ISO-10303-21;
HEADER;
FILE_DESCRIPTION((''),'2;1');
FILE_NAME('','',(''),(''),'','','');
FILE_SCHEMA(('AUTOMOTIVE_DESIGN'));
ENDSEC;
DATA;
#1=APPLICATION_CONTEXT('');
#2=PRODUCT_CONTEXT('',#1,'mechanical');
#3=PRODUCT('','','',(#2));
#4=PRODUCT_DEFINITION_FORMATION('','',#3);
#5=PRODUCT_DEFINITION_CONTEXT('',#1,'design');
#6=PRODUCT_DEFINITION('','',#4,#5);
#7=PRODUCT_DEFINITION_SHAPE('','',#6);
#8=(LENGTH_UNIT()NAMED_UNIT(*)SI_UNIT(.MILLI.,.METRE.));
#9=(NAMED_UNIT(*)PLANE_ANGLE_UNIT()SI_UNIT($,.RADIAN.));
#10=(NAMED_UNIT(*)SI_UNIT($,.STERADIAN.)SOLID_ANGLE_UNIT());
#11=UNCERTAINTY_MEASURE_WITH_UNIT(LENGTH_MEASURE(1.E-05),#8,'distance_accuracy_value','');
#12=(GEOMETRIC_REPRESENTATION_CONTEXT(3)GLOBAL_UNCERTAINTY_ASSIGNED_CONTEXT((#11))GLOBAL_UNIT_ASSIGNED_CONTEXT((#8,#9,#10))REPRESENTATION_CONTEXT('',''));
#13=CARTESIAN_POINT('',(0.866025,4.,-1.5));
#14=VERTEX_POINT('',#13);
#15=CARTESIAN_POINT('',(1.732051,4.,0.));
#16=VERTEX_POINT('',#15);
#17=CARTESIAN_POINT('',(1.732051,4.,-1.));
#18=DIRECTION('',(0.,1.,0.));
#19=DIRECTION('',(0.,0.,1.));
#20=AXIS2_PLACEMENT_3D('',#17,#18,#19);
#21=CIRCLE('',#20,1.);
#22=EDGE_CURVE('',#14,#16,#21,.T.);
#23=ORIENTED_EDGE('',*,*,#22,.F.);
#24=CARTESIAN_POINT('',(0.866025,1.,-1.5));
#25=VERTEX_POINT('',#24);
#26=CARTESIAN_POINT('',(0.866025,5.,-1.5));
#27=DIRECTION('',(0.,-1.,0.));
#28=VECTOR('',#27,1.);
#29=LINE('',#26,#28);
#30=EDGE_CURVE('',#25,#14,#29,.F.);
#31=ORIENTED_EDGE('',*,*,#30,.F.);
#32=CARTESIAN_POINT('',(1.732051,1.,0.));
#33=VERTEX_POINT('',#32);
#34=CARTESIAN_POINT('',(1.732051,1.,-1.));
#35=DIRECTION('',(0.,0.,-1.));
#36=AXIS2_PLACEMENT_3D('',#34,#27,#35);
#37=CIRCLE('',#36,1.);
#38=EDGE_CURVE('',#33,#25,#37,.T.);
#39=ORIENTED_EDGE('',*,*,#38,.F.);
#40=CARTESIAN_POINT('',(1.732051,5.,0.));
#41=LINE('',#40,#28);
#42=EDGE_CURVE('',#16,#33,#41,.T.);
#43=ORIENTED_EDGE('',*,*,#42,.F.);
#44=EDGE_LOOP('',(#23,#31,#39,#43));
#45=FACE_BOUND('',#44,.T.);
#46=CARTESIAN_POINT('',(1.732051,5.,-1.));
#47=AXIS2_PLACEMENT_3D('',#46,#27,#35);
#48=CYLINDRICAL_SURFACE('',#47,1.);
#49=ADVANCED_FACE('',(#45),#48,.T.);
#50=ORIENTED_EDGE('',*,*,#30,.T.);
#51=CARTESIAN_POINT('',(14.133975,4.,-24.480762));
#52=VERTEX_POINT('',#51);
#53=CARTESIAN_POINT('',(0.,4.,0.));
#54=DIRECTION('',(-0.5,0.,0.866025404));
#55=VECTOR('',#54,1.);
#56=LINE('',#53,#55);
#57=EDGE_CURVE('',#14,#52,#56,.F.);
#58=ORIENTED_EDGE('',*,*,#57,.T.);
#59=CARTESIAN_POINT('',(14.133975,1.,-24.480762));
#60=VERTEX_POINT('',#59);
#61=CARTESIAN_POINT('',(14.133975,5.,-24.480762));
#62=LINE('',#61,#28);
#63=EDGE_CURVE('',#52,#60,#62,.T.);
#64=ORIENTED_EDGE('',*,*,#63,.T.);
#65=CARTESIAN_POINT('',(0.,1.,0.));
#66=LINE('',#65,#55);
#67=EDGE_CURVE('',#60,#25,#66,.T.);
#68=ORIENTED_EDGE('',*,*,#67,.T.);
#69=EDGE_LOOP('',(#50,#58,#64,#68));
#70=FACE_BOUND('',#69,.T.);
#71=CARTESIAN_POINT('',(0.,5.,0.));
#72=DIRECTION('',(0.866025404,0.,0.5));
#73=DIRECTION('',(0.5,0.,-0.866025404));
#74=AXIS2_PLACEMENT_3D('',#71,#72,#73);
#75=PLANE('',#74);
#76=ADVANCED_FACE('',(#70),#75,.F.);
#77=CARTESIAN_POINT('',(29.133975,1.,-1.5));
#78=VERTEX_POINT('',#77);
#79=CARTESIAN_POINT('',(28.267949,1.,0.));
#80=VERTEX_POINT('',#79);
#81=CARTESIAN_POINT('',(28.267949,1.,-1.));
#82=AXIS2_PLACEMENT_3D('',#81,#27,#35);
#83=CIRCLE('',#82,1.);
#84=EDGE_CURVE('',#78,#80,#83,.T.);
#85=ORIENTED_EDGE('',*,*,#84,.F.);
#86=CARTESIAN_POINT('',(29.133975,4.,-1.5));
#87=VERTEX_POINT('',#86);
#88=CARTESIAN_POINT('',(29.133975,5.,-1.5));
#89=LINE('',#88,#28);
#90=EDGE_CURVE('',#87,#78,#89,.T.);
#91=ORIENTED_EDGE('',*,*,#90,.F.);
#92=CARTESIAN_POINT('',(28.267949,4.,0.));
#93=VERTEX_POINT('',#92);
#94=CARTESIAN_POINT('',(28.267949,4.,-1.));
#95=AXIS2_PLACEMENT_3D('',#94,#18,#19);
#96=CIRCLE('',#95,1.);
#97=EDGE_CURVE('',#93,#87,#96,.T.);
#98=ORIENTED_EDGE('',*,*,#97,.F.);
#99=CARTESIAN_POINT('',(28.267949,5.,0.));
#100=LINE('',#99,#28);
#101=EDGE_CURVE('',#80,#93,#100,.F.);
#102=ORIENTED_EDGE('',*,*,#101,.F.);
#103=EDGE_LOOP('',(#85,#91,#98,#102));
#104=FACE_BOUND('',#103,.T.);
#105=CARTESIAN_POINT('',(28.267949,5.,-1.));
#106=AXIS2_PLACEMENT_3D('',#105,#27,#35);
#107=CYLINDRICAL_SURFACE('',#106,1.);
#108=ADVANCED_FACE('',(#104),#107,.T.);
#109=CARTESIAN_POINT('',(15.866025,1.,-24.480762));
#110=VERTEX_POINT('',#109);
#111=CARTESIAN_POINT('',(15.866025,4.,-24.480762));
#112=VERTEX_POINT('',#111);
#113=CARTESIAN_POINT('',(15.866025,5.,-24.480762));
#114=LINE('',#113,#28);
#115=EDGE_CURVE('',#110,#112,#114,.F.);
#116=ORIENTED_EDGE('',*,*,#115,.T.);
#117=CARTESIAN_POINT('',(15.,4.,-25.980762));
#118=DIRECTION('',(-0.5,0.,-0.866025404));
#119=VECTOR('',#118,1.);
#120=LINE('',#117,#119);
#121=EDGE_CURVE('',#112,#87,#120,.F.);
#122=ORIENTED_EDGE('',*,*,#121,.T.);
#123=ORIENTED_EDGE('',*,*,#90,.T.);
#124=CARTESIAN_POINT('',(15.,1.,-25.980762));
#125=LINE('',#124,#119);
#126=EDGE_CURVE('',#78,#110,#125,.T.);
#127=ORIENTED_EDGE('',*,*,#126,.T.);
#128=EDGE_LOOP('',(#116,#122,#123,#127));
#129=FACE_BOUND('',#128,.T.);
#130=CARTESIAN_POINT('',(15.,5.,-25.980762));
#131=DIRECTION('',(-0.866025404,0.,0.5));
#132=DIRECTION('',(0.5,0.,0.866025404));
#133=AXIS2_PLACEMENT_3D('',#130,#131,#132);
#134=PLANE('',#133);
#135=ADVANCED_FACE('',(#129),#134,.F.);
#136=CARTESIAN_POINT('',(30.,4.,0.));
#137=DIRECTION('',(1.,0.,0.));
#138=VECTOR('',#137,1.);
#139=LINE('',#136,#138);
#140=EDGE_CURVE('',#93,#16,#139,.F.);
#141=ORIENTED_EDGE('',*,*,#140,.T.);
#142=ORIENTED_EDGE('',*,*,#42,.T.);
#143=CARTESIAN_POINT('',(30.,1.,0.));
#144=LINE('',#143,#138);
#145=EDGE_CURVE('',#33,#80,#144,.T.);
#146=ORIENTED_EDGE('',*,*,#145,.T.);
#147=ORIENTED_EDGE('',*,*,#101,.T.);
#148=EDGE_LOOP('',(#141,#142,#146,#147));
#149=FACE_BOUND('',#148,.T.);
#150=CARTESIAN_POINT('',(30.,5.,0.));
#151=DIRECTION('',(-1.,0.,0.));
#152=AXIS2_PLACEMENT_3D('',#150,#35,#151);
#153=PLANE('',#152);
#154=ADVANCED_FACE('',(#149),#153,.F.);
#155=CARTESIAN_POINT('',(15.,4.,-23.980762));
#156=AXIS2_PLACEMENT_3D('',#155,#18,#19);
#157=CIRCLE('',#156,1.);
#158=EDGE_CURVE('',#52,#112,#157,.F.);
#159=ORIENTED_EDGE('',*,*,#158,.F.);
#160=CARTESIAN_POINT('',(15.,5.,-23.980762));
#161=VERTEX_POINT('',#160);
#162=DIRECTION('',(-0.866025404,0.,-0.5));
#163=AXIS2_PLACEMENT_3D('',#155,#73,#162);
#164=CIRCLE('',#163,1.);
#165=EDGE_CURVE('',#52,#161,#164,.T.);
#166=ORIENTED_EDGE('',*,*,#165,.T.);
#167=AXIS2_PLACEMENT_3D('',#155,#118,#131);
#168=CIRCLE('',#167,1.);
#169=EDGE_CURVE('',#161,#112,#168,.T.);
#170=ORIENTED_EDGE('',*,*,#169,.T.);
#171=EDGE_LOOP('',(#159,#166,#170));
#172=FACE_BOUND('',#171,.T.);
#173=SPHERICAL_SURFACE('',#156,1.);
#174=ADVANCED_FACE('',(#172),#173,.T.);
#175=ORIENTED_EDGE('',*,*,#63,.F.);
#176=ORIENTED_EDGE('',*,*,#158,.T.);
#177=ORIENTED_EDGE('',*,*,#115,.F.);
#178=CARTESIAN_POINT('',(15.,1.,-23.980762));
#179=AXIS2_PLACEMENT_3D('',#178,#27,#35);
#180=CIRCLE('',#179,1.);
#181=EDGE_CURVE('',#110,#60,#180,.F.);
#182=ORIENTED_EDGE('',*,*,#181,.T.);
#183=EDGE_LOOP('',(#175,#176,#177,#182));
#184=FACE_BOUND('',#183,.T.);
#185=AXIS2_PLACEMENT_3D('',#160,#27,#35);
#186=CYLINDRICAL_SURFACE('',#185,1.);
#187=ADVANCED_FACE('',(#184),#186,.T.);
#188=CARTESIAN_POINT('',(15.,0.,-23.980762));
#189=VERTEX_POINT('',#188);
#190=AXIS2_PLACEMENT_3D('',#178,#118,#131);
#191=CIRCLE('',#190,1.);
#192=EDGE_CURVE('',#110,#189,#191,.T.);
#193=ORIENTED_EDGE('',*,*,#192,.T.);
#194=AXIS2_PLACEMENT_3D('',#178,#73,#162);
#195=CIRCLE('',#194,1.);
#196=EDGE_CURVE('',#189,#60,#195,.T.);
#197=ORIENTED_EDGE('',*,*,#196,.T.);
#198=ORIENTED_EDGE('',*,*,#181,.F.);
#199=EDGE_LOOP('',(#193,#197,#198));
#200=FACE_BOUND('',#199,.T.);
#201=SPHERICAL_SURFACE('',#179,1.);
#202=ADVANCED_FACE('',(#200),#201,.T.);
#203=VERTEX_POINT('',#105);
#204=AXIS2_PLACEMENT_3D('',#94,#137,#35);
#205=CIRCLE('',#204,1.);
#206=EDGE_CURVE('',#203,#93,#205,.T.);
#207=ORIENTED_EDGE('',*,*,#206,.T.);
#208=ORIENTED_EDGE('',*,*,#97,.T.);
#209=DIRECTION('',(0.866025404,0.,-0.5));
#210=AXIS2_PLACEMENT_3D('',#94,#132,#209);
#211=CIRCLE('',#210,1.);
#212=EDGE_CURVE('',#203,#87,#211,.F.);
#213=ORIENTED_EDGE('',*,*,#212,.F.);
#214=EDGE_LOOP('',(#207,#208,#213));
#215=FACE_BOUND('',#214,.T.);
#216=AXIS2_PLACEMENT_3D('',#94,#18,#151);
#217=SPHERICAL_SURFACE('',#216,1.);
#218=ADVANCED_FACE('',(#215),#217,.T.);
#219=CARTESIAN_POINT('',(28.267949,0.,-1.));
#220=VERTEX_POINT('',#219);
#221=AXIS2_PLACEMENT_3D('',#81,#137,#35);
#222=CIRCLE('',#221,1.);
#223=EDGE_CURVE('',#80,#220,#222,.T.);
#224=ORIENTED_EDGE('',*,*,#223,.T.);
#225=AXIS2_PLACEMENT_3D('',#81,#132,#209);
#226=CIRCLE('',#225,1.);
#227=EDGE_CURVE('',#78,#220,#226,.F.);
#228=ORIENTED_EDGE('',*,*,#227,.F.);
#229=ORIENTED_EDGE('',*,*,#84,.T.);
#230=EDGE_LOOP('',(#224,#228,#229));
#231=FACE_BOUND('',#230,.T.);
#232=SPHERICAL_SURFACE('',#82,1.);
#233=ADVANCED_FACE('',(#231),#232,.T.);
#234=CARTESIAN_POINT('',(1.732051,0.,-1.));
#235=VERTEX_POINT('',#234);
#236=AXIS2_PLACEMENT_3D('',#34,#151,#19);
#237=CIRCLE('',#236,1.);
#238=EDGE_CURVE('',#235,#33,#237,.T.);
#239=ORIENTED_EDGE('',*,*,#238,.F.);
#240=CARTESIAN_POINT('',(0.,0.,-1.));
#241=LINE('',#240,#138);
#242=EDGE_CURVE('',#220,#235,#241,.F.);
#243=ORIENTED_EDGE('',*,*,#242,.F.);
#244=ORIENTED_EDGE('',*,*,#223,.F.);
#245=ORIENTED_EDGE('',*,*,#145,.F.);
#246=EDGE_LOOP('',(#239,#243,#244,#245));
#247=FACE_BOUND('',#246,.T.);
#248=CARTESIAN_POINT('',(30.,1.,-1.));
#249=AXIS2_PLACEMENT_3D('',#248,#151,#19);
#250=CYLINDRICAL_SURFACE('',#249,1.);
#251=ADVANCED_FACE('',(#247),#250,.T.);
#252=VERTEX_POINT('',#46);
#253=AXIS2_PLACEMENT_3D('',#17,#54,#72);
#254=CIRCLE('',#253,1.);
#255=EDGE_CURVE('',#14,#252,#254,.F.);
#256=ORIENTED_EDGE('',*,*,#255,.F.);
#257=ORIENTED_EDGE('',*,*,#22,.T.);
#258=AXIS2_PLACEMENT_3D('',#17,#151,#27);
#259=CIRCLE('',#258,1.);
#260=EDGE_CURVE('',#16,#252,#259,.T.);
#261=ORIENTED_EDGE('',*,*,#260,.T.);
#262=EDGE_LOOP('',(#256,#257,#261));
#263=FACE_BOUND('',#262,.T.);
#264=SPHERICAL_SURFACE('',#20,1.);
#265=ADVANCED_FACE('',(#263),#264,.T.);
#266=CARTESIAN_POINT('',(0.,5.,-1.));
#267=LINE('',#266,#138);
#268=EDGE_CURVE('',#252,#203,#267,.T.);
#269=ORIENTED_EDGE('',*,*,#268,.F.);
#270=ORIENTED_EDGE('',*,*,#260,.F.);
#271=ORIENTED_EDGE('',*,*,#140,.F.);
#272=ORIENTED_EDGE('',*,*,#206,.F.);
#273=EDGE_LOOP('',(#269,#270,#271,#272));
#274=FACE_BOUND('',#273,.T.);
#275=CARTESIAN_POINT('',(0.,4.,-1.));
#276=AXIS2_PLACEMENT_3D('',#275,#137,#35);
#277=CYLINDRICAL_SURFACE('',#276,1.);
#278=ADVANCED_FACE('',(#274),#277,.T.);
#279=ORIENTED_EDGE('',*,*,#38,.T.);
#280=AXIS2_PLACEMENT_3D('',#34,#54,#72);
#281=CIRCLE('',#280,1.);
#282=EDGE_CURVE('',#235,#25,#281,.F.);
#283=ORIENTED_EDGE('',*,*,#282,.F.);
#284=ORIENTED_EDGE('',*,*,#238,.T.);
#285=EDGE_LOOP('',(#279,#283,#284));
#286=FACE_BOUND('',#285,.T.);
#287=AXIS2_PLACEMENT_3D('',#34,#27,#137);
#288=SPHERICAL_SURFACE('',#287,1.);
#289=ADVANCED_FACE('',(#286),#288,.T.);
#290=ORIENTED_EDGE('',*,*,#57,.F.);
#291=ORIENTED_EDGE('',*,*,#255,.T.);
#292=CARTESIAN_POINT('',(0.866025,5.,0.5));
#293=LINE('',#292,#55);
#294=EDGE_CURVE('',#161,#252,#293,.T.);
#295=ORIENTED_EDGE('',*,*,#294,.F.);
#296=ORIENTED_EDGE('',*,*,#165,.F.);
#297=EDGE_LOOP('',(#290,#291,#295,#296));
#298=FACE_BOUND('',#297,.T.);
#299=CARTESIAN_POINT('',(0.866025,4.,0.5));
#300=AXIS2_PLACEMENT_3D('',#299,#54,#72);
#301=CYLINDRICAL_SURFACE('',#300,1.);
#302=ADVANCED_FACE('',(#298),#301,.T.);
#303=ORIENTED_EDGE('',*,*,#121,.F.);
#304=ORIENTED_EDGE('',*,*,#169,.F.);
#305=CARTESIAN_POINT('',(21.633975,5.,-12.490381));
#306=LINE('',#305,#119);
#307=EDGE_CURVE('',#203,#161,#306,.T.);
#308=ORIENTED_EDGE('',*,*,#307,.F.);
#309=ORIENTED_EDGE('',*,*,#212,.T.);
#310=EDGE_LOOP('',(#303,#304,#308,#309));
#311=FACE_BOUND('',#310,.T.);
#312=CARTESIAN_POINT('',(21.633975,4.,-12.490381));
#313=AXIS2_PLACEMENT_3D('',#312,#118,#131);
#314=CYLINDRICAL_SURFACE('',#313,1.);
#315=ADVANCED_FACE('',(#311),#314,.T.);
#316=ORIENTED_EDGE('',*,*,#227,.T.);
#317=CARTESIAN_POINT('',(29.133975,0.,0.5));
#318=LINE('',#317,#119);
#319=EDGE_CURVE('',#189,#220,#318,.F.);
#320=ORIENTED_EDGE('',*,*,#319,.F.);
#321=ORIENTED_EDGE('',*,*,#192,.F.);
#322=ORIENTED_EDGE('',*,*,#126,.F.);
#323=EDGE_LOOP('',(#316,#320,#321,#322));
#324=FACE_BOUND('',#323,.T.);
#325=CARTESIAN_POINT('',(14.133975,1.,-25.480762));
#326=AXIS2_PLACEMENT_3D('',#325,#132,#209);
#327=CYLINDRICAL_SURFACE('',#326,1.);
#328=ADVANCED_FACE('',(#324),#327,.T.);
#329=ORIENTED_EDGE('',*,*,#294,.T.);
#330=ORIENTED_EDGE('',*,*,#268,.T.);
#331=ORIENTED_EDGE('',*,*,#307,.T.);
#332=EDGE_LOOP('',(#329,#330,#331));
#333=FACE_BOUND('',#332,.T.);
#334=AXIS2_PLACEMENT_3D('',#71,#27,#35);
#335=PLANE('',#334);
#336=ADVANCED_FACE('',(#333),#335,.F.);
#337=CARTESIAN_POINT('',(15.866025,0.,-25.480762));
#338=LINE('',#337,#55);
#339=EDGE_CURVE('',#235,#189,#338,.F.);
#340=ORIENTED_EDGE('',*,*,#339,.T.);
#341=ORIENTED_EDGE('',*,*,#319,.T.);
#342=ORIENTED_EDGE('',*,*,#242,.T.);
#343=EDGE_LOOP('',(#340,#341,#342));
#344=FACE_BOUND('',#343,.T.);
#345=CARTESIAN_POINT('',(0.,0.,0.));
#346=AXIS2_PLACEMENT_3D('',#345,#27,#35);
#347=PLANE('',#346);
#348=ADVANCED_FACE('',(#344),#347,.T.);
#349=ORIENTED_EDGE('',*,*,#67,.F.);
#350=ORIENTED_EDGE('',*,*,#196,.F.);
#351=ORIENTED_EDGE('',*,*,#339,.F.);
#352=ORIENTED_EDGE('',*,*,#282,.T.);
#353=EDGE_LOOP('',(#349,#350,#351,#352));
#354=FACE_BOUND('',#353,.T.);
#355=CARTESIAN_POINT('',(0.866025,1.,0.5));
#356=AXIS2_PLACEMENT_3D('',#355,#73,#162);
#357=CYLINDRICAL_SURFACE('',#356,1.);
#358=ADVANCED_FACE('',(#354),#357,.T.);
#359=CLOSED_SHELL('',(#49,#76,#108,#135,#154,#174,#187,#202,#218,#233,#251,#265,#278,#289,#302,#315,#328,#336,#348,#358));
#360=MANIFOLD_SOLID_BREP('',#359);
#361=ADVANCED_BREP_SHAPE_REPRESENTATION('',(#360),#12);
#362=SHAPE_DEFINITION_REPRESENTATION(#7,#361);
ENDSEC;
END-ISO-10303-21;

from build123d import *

# Parameters (mm, degrees)
BOSS_EXTRUDE1_DEPTH = 5
FILLET1_R           = 1


with BuildPart() as part:
    # Sketch1 → Boss-Extrude1 (new body)
    with BuildSketch(Plane(origin=(0, 0, 0), x_dir=(1, 0, 0), z_dir=(0, 1, 0))):
        Polygon((0, 0), (15, 25.980762114), (30, 0), align=None)
    extrude(amount=BOSS_EXTRUDE1_DEPTH)

    # Fillet1
    fillet1_edges = [part.edges().sort_by_distance(p)[0] for p in [
        (7.5, 5, -12.990381057),
        (7.5, 0, -12.990381057),
        (22.5, 0, -12.990381057),
        (15, 0, 0),
        (15, 5, 0),
        (0, 2.5, 0),
        (15, 2.5, -25.980762114),
        (30, 2.5, 0),
        (22.5, 5, -12.990381057),
    ]]
    fillet(fillet1_edges, radius=FILLET1_R)


solid = part.part
